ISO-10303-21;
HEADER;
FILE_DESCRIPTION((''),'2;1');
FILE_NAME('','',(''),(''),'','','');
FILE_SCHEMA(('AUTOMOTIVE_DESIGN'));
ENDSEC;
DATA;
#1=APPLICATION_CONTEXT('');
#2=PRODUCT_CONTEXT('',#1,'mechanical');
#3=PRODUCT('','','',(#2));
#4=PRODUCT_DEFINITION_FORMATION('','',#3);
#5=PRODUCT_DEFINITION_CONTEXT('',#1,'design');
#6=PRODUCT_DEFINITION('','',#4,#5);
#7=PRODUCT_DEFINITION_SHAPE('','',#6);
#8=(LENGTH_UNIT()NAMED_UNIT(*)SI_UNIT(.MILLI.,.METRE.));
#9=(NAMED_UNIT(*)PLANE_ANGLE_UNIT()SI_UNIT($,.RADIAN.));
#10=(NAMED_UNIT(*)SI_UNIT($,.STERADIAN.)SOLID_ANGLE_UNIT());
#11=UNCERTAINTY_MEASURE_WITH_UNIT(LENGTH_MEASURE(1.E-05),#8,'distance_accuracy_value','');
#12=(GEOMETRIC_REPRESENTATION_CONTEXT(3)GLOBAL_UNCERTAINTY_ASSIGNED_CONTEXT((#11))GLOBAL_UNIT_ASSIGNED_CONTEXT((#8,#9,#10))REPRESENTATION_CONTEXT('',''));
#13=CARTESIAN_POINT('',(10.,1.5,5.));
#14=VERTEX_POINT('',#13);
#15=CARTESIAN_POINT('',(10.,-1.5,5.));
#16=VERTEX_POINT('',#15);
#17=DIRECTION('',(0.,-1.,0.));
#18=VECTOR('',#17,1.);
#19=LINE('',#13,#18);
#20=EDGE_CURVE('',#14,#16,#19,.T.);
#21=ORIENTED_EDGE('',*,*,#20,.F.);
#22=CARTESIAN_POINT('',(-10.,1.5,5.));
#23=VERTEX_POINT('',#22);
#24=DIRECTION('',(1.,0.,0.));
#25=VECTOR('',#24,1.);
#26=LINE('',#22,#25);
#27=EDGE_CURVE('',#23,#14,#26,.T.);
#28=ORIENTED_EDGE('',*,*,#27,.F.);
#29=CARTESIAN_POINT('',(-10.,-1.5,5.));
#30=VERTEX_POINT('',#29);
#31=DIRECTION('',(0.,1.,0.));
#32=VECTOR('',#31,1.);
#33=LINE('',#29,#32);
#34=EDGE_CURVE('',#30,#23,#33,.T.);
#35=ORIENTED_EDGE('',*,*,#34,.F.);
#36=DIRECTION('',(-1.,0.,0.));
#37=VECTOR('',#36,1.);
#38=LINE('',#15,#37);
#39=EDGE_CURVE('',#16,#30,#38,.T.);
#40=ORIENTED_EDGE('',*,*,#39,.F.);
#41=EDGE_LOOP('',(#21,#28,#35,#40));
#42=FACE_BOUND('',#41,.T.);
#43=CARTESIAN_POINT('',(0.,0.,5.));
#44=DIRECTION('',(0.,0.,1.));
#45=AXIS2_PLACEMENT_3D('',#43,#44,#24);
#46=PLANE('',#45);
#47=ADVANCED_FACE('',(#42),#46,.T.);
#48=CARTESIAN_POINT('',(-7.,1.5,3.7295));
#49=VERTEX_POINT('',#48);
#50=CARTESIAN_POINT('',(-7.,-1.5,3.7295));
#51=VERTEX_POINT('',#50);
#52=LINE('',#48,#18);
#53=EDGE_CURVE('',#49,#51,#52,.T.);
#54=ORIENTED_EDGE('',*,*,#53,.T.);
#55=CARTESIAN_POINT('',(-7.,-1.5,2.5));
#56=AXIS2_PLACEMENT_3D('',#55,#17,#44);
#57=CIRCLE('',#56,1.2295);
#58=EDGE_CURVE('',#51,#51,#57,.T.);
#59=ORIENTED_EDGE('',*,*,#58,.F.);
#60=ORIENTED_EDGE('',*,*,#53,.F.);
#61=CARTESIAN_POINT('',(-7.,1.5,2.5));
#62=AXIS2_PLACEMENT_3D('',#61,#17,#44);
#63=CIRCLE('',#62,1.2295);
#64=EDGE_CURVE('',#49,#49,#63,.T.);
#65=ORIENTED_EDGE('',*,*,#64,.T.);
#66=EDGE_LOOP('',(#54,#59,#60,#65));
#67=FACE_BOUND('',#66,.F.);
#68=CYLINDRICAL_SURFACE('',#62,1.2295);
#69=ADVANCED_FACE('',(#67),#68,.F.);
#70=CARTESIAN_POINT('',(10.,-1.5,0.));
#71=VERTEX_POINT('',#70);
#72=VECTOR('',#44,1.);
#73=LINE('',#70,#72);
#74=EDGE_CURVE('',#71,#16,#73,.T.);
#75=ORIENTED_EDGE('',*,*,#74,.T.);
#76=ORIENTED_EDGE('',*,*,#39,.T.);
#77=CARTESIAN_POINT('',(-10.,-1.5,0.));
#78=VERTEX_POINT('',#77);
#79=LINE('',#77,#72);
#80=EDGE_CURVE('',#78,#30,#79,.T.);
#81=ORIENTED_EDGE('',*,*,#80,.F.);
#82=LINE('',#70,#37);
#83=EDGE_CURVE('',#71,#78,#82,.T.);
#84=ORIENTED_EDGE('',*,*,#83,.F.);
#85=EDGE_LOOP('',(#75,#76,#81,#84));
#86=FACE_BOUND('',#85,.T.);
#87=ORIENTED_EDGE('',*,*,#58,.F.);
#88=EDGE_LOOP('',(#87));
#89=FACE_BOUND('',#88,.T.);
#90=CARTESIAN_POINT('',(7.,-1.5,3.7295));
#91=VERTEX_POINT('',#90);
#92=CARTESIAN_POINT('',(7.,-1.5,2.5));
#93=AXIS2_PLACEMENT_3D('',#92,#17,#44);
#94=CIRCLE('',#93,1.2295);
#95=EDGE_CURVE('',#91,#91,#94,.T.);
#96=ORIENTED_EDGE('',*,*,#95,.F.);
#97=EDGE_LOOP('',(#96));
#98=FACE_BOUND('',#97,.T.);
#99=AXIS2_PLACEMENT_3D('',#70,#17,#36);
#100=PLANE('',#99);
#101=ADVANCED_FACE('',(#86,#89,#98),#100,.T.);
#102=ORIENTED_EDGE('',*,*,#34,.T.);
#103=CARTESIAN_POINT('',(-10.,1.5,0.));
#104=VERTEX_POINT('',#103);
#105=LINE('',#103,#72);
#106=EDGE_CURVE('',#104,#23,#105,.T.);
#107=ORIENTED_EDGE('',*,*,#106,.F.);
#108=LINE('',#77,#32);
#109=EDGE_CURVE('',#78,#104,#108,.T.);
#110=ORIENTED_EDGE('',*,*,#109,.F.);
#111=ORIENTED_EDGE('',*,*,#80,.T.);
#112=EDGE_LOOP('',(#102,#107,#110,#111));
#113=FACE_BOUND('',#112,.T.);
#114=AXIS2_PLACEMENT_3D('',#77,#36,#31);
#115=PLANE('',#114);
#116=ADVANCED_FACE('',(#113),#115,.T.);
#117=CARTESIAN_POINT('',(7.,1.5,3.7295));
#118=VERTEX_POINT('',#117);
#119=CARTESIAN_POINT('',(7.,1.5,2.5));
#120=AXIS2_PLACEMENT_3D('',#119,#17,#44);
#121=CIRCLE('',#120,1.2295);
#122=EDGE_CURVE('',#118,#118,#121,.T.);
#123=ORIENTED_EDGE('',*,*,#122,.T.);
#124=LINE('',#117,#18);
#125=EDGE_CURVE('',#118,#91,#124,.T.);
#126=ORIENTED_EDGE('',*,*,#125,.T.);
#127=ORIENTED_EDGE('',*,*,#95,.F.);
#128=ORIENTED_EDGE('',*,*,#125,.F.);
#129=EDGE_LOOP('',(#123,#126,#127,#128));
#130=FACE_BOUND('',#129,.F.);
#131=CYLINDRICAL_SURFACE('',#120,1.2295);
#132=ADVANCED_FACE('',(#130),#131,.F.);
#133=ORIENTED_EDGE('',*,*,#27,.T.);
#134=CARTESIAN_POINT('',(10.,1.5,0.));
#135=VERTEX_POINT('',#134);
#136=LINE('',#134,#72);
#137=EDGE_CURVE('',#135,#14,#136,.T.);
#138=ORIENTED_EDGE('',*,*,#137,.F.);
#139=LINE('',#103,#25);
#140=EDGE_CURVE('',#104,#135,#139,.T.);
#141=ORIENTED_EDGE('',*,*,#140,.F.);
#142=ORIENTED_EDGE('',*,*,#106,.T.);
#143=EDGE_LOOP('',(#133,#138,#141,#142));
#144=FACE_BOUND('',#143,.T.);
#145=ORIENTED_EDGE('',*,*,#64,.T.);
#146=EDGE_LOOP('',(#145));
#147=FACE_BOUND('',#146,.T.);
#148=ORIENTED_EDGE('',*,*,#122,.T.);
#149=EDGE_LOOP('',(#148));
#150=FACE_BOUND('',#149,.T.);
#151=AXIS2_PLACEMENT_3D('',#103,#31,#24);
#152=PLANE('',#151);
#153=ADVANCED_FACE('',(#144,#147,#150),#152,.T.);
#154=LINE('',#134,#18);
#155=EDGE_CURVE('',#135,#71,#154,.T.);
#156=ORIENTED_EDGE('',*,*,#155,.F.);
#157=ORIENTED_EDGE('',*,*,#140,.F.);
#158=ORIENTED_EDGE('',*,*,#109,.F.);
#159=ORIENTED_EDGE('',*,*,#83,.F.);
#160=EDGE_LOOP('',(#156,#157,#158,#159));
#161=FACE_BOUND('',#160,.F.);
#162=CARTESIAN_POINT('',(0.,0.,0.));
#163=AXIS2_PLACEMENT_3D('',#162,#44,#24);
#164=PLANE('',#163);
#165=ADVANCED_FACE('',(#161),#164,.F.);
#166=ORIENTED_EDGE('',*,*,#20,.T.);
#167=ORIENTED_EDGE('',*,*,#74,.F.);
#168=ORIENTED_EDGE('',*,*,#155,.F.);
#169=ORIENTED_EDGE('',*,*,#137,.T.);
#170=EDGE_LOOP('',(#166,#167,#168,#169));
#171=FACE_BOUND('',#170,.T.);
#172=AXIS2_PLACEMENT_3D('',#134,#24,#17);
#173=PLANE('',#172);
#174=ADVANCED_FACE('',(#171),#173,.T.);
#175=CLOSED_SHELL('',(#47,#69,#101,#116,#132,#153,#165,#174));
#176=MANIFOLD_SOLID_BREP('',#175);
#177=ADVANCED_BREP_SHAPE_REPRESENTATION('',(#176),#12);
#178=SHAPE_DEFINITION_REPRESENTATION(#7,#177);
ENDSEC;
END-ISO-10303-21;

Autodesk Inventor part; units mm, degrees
ref_plane "YZ Plane" through (0, 0, 0) normal (1, 0, 0) x (0, 1, 0)
ref_plane "XZ Plane" through (0, 0, 0) normal (0, 1, 0) x (-1, 0, 0)
ref_plane "XY Plane" through (0, 0, 0) normal (0, 0, 1) x (1, 0, 0)
sketch "スケッチ1" plane through (0, 0, 0) normal (0, 0, 1) x (1, 0, 0)
  line L0 (-10, 1.5) -> (10, 1.5)
  line L1 (10, 1.5) -> (10, -1.5)
  line L2 (10, -1.5) -> (-10, -1.5)
  line L3 (-10, -1.5) -> (-10, 1.5)
  line L4 (-10, 1.5) -> (10, -1.5) construction
  line L5 (10, 1.5) -> (-10, -1.5) construction
  point P0 (0, 0)
  dimension "d0" = 20
  dimension "d1" = 3
extrude "押し出し1" add sketch "スケッチ1" along normal blind 5
sketch "スケッチ2" plane through (-10, 1.5, 0) normal (0, 1, 0) x (1, 0, 0)
  line L0 (0, 0) -> (20, 0) projected
  line L1 (0, 0) -> (0, -5) projected
  line L2 (20, -5) -> (0, -5) projected
  line L3 (20, 0) -> (20, -5) projected
  line L4 (17, -2.5) -> (3, -2.5)
  line L5 (0, 0) -> (0, -5) projected
  point P0 (10, 0)
  point P1 (10, -5)
  point P2 (10, -2.5)
  point P3 (0, -2.5)
  dimension "d4" = 14
hole "穴1" at (-7, 1.5, 2.5) at (7, 1.5, 2.5) direction (0, -1, 0) diameter 2.459 depth 8.8 tip angle 118 thread size "M3x0.5" class "6H" standard "ISO Metric profile"
properties part number "Key1"
